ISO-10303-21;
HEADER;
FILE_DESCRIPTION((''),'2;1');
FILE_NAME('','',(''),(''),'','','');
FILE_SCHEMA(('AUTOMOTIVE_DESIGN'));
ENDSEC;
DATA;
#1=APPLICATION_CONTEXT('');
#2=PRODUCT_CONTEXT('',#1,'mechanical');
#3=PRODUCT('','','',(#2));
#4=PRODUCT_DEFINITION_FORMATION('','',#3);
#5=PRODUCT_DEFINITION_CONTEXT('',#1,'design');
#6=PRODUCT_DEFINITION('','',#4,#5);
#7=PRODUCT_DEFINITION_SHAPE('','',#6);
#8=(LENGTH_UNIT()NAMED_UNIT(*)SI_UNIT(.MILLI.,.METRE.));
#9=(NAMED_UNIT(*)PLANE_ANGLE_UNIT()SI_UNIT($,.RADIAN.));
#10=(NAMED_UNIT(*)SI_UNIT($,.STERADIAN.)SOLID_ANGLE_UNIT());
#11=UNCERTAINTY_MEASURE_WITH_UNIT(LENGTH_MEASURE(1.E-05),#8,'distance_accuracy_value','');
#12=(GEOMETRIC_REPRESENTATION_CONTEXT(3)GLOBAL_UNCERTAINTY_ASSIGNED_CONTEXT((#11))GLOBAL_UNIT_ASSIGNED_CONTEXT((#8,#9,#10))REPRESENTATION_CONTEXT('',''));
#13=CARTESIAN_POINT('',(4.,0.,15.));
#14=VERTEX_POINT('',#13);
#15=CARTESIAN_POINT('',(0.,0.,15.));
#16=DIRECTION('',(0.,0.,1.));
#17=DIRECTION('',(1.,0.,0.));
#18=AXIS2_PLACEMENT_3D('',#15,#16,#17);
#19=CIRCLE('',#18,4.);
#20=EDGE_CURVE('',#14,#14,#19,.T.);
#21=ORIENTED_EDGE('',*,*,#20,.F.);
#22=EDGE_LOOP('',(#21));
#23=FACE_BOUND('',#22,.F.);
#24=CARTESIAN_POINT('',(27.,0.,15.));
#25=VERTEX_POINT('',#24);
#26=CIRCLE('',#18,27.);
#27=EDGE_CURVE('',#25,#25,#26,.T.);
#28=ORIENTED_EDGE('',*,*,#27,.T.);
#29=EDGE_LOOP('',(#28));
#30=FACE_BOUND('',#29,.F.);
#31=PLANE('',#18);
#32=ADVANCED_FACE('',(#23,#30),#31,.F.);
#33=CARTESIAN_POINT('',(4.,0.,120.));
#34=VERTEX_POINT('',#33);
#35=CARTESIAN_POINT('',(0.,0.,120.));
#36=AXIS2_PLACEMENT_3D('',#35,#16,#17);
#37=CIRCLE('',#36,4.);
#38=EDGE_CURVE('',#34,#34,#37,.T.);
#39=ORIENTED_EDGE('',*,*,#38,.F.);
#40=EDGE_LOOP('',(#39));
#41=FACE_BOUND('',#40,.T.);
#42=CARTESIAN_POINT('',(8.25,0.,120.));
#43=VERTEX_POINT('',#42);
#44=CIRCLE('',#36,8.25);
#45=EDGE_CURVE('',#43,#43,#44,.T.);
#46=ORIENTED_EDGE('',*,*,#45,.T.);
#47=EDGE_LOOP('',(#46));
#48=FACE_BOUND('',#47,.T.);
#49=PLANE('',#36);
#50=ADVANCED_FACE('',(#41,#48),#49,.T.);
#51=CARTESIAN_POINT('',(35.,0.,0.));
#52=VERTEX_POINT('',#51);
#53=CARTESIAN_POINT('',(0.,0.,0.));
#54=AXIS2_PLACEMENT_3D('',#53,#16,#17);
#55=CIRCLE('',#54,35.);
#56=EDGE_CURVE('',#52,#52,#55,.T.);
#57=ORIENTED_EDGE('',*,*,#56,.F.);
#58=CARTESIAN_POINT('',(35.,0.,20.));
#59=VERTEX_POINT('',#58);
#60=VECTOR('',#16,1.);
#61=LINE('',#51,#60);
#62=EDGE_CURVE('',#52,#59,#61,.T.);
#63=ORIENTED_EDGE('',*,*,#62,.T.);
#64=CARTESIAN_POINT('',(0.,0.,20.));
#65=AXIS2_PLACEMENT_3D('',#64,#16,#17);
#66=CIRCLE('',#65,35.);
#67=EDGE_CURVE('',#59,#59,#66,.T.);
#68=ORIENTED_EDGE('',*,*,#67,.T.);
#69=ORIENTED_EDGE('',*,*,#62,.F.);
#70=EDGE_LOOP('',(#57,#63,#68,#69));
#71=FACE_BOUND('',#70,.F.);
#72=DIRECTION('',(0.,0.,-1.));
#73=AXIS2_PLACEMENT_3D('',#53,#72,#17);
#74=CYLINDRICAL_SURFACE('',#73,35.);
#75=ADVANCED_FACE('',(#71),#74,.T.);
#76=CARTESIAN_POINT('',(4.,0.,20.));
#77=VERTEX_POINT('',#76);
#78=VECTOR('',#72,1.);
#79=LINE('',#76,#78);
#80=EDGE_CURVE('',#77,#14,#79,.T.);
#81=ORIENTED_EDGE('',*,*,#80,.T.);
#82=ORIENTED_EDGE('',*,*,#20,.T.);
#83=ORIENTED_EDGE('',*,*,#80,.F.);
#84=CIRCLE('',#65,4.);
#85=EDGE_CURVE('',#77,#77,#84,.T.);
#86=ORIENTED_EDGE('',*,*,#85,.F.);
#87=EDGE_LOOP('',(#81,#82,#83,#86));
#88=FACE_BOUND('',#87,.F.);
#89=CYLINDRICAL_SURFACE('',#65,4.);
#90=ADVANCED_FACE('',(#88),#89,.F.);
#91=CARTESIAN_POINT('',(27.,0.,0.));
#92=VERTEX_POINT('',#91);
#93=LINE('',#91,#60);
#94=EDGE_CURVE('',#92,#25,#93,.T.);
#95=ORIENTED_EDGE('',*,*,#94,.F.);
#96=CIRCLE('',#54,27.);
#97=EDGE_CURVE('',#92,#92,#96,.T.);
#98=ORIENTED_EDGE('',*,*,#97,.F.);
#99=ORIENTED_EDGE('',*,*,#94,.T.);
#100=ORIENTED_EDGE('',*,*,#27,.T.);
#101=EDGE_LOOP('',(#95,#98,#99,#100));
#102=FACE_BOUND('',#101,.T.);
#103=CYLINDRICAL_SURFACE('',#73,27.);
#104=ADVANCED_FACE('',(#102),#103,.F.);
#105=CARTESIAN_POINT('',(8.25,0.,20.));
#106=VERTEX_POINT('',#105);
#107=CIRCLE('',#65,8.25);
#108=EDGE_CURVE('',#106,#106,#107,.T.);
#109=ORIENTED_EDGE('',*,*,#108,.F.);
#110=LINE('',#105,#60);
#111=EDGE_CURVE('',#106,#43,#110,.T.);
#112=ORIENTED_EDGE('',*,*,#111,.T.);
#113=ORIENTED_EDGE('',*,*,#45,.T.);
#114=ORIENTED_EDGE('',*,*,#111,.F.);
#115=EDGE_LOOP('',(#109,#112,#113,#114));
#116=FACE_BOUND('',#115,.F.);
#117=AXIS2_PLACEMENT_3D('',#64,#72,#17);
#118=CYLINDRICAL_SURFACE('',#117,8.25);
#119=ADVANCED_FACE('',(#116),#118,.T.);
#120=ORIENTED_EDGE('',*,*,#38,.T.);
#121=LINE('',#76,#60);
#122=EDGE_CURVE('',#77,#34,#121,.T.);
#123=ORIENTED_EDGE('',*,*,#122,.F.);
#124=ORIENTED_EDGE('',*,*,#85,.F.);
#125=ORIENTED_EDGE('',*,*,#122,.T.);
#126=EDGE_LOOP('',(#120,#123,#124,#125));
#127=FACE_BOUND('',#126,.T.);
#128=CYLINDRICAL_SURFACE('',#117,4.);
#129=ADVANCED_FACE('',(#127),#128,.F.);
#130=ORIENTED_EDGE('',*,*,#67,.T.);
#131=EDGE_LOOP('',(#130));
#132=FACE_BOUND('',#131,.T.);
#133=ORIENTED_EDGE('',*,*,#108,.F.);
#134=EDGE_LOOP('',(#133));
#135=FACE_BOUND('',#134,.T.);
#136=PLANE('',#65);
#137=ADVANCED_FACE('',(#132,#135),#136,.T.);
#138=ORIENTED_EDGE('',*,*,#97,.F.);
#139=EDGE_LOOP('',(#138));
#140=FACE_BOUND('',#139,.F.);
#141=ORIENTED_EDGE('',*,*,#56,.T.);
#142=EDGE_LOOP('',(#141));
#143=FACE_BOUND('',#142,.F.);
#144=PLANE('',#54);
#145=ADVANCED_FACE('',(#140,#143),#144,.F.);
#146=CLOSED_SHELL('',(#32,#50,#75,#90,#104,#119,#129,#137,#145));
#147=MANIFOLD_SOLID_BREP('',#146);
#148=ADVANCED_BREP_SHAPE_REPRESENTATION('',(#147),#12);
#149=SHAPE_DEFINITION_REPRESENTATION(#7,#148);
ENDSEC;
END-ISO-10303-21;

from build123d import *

# Parameters (mm, degrees)
F0_R     = 35
F0_R_2   = 27
F1_DEPTH = 20
F2_START = 15
F2_DEPTH = 5
F3_R     = 8.25
F3_R_2   = 4
F4_DEPTH = 100
F5_DEPTH = 12


with BuildPart() as f1:
    # F0 (on Top) → F1 (new body)
    with BuildSketch(Plane.XY):
        Circle(F0_R)
        Circle(F0_R_2, mode=Mode.SUBTRACT)
    extrude(amount=F1_DEPTH)

    # F0 (on Top) → F2 (join)
    with BuildSketch(Plane.XY.offset(F2_START)):
        Circle(F0_R_2)
    extrude(amount=F2_DEPTH)

    # F3 (on face) → F4 (join)
    with BuildSketch(Plane.XY.offset(20)):
        Circle(F3_R)
        Circle(F3_R_2, mode=Mode.SUBTRACT)
    extrude(amount=F4_DEPTH)

    # F5 (cut): a face of the model
    f5_faces = [f1.faces().sort_by_distance(p)[0] for p in [
        (0, 0, 20),
    ]]
    extrude(f5_faces, amount=-F5_DEPTH, mode=Mode.SUBTRACT)


solid = f1.part
